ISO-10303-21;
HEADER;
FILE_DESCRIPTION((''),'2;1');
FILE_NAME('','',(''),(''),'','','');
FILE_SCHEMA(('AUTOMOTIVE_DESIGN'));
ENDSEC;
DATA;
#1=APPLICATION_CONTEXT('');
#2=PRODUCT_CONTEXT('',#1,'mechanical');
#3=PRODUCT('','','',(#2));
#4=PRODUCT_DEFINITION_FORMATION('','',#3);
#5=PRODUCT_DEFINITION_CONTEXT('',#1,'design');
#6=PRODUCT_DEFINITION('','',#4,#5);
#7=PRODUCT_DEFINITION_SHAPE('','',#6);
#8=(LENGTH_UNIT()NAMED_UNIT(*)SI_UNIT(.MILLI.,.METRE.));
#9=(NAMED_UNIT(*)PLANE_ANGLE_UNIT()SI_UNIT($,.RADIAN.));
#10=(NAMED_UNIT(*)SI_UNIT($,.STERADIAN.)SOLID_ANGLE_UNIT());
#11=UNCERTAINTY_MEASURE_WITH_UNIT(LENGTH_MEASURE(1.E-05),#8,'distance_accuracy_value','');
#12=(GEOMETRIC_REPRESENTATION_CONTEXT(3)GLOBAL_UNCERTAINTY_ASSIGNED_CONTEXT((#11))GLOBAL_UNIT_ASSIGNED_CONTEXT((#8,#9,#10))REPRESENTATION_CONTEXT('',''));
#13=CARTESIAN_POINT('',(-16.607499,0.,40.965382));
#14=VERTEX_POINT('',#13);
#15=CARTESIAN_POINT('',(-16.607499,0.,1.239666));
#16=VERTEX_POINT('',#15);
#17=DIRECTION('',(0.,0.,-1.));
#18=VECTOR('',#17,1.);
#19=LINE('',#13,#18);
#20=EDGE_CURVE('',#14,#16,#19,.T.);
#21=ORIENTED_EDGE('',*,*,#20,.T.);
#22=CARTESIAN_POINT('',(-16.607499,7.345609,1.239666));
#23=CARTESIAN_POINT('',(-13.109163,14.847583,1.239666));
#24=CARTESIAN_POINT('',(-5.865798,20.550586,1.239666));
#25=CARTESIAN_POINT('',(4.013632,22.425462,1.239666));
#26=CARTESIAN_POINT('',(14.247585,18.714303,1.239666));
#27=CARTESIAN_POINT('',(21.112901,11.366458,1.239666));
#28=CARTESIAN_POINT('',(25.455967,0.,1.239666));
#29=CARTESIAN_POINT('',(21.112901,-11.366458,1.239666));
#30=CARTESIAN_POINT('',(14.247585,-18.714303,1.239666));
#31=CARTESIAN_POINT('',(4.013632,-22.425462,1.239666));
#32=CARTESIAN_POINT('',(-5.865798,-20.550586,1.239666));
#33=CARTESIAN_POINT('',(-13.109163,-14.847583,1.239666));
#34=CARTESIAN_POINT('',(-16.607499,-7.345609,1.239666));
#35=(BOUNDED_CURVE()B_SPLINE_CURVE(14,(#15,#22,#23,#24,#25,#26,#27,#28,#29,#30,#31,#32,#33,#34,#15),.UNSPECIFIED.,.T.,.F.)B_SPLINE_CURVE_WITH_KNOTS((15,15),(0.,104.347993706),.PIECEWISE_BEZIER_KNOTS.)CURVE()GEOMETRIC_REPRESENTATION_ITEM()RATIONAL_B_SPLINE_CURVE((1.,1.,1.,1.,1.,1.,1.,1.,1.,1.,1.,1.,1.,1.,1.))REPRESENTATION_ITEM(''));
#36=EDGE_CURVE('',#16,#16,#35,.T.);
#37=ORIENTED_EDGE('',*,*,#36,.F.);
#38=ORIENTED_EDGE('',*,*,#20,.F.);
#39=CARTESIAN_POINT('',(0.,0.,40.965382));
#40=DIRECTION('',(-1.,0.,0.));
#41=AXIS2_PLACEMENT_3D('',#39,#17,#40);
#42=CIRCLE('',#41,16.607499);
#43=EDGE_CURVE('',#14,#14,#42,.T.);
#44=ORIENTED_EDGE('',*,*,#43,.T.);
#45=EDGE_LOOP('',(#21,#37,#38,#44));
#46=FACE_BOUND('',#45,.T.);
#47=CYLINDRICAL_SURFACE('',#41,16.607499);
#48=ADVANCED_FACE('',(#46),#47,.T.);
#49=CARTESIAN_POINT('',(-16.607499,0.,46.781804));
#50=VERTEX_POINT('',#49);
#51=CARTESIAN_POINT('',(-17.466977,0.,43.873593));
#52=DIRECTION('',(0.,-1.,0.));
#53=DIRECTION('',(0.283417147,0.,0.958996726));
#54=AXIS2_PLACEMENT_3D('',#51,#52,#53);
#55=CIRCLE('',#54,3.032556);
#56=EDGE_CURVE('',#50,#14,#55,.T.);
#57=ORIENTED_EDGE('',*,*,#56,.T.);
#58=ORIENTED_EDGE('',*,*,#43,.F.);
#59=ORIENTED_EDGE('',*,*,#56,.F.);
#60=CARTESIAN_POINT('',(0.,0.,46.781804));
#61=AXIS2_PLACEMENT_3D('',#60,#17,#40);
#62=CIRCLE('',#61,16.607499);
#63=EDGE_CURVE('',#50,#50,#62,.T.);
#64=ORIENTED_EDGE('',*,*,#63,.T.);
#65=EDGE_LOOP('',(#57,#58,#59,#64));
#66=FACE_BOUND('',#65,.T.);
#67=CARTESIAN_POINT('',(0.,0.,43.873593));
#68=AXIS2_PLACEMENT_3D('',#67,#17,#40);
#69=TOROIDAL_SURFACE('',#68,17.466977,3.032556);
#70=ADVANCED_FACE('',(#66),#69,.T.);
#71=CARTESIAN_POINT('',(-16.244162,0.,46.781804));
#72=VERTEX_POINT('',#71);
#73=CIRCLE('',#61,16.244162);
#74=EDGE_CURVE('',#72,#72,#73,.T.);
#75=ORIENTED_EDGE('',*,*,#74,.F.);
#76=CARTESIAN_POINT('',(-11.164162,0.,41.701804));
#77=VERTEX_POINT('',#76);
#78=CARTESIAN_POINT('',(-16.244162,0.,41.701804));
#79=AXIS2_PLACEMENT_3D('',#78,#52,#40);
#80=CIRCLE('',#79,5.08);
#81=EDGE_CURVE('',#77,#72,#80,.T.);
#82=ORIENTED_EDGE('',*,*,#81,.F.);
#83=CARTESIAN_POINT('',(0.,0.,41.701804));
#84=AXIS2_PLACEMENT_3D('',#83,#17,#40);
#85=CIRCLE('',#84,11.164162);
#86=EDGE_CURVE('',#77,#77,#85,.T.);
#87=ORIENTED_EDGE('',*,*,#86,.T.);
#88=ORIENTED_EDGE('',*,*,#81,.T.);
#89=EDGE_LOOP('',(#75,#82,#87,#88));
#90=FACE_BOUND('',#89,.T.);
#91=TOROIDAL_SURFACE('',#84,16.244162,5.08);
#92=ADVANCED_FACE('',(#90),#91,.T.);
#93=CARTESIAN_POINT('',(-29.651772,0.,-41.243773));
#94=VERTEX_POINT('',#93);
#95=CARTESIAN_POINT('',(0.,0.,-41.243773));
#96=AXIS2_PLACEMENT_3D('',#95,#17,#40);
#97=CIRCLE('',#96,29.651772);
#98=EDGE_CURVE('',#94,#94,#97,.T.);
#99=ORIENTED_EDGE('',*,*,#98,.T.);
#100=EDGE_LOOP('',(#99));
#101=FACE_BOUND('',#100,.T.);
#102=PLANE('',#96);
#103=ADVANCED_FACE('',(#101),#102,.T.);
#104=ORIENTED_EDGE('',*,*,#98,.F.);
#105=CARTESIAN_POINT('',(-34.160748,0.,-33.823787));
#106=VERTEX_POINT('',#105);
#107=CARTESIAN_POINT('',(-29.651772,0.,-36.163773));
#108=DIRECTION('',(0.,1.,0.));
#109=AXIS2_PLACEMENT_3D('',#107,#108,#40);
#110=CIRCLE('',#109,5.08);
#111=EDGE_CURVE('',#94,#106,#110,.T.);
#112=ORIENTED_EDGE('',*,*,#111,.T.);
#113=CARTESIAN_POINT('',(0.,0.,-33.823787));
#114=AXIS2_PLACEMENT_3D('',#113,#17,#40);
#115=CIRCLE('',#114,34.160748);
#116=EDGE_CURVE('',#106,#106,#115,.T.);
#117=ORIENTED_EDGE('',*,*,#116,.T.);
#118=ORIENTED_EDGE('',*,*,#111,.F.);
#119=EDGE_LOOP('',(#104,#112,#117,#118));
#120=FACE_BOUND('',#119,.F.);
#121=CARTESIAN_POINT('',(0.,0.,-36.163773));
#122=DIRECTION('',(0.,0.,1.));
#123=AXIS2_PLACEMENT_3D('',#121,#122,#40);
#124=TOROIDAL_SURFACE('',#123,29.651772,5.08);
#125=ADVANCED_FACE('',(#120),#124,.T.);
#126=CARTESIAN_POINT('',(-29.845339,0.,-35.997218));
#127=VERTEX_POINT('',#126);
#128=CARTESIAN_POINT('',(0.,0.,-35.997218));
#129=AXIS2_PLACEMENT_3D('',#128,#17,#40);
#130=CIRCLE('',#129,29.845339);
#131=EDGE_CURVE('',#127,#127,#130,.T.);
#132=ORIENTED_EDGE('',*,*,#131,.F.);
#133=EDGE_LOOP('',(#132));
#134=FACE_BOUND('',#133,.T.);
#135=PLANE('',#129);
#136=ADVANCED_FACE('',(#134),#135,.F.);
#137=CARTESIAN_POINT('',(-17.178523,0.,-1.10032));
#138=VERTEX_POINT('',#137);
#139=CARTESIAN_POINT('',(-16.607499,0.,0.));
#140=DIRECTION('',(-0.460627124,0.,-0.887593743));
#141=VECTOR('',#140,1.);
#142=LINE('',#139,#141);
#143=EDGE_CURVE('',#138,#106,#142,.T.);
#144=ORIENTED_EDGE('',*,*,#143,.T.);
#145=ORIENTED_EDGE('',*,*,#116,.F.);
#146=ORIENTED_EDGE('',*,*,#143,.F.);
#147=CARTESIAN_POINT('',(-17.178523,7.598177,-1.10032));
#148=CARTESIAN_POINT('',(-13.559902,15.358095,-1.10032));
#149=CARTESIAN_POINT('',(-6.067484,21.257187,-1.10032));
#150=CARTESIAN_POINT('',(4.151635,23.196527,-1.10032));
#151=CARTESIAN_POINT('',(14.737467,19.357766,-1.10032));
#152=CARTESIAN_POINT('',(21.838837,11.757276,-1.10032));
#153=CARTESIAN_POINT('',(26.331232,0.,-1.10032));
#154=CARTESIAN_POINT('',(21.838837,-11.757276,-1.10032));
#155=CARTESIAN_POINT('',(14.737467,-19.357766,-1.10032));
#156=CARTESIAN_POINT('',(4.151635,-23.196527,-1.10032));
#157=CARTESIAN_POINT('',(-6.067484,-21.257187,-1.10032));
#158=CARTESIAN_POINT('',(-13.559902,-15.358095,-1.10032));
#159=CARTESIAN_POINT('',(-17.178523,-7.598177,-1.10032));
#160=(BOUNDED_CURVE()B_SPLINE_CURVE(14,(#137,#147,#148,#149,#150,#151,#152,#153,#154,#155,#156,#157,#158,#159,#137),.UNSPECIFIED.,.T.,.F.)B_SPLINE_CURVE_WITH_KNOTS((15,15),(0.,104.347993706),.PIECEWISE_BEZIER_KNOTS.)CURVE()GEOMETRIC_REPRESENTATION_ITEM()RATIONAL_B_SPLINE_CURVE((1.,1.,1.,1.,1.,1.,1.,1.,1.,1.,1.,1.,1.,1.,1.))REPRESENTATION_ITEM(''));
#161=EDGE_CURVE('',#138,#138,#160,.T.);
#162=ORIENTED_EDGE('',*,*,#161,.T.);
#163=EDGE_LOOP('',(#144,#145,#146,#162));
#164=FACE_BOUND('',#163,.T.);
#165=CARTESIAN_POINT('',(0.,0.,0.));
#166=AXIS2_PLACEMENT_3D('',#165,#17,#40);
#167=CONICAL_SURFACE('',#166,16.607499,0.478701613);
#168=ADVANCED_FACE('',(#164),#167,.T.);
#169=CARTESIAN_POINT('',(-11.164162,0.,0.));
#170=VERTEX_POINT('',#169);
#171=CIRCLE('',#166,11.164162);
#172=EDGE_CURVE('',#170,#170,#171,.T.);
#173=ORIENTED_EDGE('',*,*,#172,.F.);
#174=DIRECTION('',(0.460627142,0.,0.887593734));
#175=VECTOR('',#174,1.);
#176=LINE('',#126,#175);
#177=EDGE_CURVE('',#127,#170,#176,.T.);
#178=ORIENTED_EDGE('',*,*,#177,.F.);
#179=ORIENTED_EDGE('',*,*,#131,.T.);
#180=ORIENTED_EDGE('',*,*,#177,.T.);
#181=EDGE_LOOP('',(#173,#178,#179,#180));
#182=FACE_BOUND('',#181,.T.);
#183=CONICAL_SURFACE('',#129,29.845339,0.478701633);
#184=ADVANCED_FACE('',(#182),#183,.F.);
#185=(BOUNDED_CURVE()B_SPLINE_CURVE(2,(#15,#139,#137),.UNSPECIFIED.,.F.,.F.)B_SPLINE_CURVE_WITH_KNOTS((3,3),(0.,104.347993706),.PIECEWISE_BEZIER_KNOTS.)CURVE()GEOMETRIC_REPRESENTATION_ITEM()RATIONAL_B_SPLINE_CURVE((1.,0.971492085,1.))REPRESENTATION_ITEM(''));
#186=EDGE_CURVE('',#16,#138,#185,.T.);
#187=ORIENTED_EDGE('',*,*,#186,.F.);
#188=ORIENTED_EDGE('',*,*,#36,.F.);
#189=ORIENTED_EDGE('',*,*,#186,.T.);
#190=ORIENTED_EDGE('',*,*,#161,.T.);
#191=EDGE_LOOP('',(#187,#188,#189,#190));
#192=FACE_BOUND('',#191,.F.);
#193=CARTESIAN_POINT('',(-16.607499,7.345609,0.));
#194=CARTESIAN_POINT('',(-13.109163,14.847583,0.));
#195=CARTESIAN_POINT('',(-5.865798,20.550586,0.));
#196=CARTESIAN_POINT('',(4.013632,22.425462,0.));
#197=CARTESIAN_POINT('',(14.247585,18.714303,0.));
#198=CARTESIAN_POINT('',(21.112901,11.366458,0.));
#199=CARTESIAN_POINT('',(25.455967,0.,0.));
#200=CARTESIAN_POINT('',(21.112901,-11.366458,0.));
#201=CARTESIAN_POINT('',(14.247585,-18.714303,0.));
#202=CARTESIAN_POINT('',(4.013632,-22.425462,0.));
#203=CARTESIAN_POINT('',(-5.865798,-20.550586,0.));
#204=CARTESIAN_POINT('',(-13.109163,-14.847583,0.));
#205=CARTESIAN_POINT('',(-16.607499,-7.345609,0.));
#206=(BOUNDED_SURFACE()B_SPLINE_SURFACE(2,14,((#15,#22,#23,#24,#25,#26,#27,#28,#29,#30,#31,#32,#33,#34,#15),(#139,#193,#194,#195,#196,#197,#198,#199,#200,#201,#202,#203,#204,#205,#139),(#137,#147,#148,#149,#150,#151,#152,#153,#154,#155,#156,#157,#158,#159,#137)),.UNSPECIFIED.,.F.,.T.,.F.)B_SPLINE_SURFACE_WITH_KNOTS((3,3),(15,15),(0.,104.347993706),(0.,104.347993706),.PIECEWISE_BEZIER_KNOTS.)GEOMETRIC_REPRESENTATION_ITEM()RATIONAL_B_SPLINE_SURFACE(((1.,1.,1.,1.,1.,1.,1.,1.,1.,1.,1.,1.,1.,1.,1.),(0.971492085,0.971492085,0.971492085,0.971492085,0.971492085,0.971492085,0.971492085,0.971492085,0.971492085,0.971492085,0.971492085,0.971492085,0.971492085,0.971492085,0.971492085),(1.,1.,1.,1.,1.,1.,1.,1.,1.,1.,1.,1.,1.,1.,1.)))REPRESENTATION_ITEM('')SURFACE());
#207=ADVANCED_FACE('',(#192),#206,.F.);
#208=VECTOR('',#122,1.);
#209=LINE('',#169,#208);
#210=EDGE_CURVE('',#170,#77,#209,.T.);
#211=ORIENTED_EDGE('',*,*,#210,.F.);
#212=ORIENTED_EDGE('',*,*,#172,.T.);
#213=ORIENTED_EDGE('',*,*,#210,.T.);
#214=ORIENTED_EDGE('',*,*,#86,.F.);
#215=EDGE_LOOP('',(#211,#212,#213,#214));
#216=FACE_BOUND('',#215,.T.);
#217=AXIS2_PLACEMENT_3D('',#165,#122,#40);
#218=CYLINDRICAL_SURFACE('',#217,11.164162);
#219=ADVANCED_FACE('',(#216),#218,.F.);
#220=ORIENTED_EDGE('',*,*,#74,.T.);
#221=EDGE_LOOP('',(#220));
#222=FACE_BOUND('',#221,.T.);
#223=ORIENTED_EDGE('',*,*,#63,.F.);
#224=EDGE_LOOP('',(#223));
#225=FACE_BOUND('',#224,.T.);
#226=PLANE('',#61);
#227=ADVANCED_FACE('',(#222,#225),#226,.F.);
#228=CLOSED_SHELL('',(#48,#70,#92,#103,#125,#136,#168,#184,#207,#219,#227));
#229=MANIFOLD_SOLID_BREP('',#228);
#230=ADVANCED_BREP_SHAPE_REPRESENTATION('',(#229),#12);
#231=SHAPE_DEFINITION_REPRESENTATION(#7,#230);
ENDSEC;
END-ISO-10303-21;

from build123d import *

# Parameters (mm, degrees)
F2_R = 5.08


with BuildPart() as f1:
    # F0 (on Front) → F1 (revolve)
    with BuildSketch(Plane.XZ):
        with BuildLine():
            Line((-38.011436, -41.243773), (0, -41.243773))
            Line((0, -41.243773), (0, -35.997218))
            Line((0, -35.997218), (-29.845339, -35.997218))
            Line((-29.845339, -35.997218), (-11.164162, 0))
            Line((-11.164162, 0), (-11.164162, 46.781804))
            Line((-11.164162, 46.781804), (-16.607499, 46.781804))
            ThreePointArc((-16.607499, 46.781804), (-20.499533, 43.873593), (-16.607499, 40.965382))
            Line((-16.607499, 40.965382), (-16.607499, 0))
            Line((-16.607499, 0), (-38.011436, -41.243773))
        make_face()
    revolve(axis=Axis((0, 0, -38.620495), (0, 0, -1)))

    # F2
    f2_edges = [f1.edges().sort_by_distance(p)[0] for p in [
        (16.607499, 0, 0),
        (38.011436, 0, -41.243773),
        (-27.309468, 0, -20.621886),
        (11.164162, 0, 46.781804),
    ]]
    fillet(f2_edges, radius=F2_R)


solid = f1.part
